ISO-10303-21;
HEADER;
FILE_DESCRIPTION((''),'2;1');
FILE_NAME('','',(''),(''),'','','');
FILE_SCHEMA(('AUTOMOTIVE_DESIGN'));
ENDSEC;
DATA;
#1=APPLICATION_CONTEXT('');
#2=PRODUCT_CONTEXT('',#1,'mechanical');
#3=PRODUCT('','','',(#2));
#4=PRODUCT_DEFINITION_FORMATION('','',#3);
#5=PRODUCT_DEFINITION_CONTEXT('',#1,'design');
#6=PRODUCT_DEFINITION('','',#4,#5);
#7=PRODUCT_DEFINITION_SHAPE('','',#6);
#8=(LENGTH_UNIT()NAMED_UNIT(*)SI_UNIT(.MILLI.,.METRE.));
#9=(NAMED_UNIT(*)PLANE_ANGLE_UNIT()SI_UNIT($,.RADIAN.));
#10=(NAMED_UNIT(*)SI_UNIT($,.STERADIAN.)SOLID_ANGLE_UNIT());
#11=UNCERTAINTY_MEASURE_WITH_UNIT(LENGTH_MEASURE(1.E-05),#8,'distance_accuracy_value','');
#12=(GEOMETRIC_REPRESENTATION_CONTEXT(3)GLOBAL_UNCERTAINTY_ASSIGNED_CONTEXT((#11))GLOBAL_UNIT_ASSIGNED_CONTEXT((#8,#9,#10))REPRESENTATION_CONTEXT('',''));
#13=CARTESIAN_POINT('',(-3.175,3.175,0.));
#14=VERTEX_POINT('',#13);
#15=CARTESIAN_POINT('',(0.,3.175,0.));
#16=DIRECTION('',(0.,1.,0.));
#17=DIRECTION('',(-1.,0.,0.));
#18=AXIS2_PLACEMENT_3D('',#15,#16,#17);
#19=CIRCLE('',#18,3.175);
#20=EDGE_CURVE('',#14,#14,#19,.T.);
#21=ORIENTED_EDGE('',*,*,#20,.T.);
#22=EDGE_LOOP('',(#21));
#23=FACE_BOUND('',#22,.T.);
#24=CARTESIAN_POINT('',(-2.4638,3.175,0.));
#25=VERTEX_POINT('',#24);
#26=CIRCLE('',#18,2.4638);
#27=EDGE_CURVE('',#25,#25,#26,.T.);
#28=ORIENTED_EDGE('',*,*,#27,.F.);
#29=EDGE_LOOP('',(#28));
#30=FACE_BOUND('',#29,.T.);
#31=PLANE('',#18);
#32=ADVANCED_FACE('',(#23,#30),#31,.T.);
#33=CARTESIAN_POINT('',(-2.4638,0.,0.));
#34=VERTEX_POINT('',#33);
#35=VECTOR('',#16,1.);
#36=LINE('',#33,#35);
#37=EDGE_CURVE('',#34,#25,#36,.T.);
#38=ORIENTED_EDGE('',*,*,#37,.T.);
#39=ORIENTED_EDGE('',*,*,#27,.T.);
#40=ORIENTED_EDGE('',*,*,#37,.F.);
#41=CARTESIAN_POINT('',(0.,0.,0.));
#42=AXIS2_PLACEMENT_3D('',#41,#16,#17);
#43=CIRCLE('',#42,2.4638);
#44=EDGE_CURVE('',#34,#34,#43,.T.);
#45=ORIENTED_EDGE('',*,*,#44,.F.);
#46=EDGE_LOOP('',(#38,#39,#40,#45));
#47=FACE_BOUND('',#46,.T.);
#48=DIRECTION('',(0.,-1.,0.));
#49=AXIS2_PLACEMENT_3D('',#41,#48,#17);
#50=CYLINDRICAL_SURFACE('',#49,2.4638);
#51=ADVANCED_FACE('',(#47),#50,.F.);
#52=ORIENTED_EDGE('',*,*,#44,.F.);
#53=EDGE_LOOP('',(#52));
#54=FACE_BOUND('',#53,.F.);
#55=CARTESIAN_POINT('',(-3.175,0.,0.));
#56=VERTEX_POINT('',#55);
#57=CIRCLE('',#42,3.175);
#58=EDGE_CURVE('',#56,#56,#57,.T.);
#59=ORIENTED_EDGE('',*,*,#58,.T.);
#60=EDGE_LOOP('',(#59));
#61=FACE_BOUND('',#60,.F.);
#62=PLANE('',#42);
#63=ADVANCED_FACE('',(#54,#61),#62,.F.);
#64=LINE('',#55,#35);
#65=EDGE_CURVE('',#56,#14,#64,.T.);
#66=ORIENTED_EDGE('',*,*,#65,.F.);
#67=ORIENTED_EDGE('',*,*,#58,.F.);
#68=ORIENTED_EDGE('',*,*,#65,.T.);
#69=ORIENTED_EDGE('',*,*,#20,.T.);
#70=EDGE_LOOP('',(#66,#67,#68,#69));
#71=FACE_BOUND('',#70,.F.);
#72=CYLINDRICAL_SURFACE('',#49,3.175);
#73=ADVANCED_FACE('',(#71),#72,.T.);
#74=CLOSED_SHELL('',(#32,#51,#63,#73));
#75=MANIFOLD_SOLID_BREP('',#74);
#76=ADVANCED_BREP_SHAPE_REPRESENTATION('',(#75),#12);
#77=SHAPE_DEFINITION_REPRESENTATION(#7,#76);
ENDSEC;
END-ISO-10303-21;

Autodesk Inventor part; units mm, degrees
ref_plane "YZ Plane" through (0, 0, 0) normal (1, 0, 0) x (0, 1, 0)
ref_plane "XZ Plane" through (0, 0, 0) normal (0, 1, 0) x (-1, 0, 0)
ref_plane "XY Plane" through (0, 0, 0) normal (0, 0, 1) x (1, 0, 0)
sketch "Sketch1" plane through (0, 0, 0) normal (0, 1, 0) x (-1, 0, 0)
  circle A0 centre (0, 0) radius 2.4638
  circle A1 centre (0, 0) radius 3.175
  dimension "d0" = 4.9276
  dimension "d1" = 6.35
extrude "Extrusion1" add sketch "Sketch1" along normal blind 3.175
properties part number ".125 in McMaster" material "Nylon 6"
